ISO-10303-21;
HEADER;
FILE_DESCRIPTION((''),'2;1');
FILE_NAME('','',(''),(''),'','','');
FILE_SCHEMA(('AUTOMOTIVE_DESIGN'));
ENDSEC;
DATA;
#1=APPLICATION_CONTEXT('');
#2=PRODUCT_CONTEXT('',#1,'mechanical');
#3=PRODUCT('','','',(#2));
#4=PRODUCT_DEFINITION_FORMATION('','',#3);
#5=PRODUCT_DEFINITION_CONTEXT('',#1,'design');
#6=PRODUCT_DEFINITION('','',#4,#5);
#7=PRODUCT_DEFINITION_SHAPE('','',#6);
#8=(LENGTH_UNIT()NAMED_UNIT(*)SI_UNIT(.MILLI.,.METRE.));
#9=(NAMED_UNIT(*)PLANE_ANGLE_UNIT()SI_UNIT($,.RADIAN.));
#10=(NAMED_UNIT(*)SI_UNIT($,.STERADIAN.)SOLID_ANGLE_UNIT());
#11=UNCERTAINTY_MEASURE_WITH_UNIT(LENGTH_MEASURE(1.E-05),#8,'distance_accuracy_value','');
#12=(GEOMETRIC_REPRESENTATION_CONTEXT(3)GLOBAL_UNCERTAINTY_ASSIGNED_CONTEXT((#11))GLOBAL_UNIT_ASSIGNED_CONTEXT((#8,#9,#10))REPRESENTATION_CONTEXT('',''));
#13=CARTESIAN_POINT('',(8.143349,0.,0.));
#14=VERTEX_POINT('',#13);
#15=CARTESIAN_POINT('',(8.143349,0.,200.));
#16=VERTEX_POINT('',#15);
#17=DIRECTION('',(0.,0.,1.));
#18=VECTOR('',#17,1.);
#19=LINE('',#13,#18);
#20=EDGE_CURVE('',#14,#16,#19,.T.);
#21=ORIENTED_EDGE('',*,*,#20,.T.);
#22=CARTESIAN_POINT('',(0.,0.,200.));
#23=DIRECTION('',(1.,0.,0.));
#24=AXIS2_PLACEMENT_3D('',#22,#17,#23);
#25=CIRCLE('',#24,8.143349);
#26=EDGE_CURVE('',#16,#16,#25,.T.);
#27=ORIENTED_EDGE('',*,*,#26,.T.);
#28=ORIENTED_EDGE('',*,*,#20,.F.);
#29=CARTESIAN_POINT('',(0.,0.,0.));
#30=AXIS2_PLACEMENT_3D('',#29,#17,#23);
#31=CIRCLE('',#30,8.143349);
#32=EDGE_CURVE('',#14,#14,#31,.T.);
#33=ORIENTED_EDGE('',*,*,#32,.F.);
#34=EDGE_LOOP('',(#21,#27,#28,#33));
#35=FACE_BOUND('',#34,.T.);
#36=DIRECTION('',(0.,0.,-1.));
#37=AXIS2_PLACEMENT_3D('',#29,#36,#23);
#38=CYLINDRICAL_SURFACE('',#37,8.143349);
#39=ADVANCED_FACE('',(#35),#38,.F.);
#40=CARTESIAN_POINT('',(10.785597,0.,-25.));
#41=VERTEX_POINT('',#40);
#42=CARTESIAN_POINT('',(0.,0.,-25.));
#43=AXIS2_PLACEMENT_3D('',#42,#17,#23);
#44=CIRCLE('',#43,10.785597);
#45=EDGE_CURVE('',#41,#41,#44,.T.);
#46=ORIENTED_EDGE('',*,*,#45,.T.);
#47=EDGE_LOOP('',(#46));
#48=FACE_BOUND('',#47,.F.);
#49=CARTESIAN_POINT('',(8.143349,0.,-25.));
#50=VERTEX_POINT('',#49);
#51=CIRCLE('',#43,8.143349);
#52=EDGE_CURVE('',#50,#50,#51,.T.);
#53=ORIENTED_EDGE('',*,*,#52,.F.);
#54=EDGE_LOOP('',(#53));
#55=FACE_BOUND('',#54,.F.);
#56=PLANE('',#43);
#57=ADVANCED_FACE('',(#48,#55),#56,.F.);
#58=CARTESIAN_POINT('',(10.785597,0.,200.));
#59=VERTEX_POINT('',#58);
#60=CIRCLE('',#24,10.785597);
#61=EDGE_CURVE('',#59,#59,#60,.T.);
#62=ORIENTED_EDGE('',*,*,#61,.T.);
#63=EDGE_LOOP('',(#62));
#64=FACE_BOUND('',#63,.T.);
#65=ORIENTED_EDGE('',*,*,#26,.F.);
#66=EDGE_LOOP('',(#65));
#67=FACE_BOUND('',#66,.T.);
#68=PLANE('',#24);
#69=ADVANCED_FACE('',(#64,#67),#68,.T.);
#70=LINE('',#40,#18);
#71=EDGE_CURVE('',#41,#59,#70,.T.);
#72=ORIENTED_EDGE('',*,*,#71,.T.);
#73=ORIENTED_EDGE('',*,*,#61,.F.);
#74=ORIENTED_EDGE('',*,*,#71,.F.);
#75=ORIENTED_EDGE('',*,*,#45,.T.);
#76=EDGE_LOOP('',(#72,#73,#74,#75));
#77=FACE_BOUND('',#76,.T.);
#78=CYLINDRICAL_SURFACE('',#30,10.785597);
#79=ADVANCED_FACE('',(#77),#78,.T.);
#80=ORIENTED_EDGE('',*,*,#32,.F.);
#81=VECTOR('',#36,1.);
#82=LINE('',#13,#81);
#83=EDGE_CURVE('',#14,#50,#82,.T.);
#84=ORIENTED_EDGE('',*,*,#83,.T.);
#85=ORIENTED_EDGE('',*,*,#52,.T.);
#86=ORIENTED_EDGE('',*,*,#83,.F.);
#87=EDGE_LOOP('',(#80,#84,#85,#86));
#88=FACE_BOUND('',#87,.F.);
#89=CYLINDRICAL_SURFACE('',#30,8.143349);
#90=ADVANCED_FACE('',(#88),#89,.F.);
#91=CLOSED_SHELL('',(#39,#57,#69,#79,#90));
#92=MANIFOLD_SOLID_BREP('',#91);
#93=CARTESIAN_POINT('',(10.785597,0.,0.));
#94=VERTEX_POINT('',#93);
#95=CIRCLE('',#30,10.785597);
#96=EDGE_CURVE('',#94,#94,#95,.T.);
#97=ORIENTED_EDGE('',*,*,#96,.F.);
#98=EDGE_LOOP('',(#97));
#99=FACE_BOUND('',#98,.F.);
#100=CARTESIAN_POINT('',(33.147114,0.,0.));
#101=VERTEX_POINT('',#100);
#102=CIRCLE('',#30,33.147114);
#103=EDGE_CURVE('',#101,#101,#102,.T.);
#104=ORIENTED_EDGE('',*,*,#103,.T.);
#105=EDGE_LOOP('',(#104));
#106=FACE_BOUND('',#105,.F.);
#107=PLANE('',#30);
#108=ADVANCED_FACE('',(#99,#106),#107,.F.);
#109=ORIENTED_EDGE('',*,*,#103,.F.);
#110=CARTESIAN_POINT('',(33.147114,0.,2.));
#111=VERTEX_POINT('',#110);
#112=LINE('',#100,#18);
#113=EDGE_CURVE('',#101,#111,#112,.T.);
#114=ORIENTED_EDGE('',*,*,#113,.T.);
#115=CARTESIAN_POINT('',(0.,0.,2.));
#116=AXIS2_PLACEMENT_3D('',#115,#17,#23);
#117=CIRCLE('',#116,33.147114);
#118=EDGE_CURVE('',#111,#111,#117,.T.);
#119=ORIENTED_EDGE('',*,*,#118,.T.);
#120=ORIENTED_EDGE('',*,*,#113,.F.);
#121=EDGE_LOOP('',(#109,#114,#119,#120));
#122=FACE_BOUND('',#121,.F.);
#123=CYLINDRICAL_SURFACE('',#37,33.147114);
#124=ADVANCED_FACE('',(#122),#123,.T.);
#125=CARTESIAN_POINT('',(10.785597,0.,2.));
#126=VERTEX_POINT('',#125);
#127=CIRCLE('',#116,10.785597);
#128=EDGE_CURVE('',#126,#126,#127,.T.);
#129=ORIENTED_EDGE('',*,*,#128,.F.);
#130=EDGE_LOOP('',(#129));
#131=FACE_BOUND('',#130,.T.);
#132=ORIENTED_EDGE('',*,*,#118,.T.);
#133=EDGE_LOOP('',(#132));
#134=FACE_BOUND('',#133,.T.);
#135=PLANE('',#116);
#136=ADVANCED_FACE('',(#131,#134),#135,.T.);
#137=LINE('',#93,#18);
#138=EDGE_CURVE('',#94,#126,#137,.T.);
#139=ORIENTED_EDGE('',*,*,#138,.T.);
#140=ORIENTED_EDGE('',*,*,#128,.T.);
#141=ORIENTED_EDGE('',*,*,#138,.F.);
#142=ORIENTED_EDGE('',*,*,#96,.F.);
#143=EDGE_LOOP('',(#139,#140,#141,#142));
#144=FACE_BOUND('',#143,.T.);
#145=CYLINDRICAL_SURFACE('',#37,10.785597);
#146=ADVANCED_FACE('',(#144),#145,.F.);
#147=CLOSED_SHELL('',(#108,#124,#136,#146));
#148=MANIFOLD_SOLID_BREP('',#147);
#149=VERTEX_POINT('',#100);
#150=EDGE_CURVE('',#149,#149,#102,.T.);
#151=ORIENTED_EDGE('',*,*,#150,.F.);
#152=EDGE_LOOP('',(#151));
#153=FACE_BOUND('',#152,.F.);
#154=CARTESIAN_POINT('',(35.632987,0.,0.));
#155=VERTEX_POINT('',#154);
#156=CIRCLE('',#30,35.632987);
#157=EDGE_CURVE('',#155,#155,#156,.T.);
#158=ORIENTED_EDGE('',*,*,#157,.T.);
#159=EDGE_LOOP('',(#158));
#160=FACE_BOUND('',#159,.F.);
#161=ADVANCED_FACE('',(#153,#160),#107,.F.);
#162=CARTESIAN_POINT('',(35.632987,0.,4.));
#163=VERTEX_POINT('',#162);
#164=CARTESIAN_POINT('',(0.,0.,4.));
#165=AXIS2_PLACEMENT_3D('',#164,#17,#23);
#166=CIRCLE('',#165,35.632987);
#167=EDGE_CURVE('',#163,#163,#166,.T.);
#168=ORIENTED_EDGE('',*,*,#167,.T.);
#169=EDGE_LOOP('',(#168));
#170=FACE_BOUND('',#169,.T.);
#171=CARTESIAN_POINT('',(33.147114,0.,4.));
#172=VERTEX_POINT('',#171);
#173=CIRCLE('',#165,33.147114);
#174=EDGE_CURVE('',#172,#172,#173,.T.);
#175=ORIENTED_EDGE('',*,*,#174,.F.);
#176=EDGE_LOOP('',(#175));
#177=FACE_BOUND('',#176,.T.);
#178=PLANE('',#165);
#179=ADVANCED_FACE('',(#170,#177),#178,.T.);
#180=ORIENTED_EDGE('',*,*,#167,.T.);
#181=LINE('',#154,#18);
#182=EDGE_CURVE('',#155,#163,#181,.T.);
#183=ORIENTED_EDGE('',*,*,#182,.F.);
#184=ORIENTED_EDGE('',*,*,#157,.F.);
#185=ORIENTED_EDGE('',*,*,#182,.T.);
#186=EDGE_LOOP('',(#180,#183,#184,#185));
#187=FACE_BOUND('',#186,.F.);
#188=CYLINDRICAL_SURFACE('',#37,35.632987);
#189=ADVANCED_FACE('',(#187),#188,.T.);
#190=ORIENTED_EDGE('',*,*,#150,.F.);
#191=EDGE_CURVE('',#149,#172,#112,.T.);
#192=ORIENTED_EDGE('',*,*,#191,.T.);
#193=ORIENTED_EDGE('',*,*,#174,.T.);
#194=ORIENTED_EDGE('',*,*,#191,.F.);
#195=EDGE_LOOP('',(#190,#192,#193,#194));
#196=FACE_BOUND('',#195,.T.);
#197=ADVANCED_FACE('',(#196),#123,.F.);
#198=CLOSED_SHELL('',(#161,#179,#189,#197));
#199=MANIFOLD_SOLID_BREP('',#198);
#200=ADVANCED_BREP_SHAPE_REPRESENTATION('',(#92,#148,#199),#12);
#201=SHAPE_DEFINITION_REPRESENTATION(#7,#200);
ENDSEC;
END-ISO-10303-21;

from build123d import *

# Parameters (mm, degrees)
F0_R          = 35.632987
F0_R_2        = 33.147114
F1_DEPTH      = 4
F0_R_3        = 10.785597
F0_R_4        = 8.143349
F2_DEPTH      = 200
F2_DEPTH_BACK = 25
F3_DEPTH      = 2


with BuildPart() as f1:
    # F0 (on Top) → F1 (new body)
    with BuildSketch(Plane.XY):
        Circle(F0_R)
        Circle(F0_R_2, mode=Mode.SUBTRACT)
    extrude(amount=F1_DEPTH)


with BuildPart() as f2:
    # F0 (on Top) → F2 (new body, two sides)
    with BuildSketch(Plane.XY) as f2_sk:
        Circle(F0_R_3)
        Circle(F0_R_4, mode=Mode.SUBTRACT)
    extrude(amount=F2_DEPTH)
    extrude(f2_sk.sketch, amount=-F2_DEPTH_BACK)


with BuildPart() as f3:
    # F0 (on Top) → F3 (new body)
    with BuildSketch(Plane.XY):
        Circle(F0_R_2)
        Circle(F0_R_3, mode=Mode.SUBTRACT)
    extrude(amount=F3_DEPTH)


solid = Compound([f1.part, f2.part, f3.part])
